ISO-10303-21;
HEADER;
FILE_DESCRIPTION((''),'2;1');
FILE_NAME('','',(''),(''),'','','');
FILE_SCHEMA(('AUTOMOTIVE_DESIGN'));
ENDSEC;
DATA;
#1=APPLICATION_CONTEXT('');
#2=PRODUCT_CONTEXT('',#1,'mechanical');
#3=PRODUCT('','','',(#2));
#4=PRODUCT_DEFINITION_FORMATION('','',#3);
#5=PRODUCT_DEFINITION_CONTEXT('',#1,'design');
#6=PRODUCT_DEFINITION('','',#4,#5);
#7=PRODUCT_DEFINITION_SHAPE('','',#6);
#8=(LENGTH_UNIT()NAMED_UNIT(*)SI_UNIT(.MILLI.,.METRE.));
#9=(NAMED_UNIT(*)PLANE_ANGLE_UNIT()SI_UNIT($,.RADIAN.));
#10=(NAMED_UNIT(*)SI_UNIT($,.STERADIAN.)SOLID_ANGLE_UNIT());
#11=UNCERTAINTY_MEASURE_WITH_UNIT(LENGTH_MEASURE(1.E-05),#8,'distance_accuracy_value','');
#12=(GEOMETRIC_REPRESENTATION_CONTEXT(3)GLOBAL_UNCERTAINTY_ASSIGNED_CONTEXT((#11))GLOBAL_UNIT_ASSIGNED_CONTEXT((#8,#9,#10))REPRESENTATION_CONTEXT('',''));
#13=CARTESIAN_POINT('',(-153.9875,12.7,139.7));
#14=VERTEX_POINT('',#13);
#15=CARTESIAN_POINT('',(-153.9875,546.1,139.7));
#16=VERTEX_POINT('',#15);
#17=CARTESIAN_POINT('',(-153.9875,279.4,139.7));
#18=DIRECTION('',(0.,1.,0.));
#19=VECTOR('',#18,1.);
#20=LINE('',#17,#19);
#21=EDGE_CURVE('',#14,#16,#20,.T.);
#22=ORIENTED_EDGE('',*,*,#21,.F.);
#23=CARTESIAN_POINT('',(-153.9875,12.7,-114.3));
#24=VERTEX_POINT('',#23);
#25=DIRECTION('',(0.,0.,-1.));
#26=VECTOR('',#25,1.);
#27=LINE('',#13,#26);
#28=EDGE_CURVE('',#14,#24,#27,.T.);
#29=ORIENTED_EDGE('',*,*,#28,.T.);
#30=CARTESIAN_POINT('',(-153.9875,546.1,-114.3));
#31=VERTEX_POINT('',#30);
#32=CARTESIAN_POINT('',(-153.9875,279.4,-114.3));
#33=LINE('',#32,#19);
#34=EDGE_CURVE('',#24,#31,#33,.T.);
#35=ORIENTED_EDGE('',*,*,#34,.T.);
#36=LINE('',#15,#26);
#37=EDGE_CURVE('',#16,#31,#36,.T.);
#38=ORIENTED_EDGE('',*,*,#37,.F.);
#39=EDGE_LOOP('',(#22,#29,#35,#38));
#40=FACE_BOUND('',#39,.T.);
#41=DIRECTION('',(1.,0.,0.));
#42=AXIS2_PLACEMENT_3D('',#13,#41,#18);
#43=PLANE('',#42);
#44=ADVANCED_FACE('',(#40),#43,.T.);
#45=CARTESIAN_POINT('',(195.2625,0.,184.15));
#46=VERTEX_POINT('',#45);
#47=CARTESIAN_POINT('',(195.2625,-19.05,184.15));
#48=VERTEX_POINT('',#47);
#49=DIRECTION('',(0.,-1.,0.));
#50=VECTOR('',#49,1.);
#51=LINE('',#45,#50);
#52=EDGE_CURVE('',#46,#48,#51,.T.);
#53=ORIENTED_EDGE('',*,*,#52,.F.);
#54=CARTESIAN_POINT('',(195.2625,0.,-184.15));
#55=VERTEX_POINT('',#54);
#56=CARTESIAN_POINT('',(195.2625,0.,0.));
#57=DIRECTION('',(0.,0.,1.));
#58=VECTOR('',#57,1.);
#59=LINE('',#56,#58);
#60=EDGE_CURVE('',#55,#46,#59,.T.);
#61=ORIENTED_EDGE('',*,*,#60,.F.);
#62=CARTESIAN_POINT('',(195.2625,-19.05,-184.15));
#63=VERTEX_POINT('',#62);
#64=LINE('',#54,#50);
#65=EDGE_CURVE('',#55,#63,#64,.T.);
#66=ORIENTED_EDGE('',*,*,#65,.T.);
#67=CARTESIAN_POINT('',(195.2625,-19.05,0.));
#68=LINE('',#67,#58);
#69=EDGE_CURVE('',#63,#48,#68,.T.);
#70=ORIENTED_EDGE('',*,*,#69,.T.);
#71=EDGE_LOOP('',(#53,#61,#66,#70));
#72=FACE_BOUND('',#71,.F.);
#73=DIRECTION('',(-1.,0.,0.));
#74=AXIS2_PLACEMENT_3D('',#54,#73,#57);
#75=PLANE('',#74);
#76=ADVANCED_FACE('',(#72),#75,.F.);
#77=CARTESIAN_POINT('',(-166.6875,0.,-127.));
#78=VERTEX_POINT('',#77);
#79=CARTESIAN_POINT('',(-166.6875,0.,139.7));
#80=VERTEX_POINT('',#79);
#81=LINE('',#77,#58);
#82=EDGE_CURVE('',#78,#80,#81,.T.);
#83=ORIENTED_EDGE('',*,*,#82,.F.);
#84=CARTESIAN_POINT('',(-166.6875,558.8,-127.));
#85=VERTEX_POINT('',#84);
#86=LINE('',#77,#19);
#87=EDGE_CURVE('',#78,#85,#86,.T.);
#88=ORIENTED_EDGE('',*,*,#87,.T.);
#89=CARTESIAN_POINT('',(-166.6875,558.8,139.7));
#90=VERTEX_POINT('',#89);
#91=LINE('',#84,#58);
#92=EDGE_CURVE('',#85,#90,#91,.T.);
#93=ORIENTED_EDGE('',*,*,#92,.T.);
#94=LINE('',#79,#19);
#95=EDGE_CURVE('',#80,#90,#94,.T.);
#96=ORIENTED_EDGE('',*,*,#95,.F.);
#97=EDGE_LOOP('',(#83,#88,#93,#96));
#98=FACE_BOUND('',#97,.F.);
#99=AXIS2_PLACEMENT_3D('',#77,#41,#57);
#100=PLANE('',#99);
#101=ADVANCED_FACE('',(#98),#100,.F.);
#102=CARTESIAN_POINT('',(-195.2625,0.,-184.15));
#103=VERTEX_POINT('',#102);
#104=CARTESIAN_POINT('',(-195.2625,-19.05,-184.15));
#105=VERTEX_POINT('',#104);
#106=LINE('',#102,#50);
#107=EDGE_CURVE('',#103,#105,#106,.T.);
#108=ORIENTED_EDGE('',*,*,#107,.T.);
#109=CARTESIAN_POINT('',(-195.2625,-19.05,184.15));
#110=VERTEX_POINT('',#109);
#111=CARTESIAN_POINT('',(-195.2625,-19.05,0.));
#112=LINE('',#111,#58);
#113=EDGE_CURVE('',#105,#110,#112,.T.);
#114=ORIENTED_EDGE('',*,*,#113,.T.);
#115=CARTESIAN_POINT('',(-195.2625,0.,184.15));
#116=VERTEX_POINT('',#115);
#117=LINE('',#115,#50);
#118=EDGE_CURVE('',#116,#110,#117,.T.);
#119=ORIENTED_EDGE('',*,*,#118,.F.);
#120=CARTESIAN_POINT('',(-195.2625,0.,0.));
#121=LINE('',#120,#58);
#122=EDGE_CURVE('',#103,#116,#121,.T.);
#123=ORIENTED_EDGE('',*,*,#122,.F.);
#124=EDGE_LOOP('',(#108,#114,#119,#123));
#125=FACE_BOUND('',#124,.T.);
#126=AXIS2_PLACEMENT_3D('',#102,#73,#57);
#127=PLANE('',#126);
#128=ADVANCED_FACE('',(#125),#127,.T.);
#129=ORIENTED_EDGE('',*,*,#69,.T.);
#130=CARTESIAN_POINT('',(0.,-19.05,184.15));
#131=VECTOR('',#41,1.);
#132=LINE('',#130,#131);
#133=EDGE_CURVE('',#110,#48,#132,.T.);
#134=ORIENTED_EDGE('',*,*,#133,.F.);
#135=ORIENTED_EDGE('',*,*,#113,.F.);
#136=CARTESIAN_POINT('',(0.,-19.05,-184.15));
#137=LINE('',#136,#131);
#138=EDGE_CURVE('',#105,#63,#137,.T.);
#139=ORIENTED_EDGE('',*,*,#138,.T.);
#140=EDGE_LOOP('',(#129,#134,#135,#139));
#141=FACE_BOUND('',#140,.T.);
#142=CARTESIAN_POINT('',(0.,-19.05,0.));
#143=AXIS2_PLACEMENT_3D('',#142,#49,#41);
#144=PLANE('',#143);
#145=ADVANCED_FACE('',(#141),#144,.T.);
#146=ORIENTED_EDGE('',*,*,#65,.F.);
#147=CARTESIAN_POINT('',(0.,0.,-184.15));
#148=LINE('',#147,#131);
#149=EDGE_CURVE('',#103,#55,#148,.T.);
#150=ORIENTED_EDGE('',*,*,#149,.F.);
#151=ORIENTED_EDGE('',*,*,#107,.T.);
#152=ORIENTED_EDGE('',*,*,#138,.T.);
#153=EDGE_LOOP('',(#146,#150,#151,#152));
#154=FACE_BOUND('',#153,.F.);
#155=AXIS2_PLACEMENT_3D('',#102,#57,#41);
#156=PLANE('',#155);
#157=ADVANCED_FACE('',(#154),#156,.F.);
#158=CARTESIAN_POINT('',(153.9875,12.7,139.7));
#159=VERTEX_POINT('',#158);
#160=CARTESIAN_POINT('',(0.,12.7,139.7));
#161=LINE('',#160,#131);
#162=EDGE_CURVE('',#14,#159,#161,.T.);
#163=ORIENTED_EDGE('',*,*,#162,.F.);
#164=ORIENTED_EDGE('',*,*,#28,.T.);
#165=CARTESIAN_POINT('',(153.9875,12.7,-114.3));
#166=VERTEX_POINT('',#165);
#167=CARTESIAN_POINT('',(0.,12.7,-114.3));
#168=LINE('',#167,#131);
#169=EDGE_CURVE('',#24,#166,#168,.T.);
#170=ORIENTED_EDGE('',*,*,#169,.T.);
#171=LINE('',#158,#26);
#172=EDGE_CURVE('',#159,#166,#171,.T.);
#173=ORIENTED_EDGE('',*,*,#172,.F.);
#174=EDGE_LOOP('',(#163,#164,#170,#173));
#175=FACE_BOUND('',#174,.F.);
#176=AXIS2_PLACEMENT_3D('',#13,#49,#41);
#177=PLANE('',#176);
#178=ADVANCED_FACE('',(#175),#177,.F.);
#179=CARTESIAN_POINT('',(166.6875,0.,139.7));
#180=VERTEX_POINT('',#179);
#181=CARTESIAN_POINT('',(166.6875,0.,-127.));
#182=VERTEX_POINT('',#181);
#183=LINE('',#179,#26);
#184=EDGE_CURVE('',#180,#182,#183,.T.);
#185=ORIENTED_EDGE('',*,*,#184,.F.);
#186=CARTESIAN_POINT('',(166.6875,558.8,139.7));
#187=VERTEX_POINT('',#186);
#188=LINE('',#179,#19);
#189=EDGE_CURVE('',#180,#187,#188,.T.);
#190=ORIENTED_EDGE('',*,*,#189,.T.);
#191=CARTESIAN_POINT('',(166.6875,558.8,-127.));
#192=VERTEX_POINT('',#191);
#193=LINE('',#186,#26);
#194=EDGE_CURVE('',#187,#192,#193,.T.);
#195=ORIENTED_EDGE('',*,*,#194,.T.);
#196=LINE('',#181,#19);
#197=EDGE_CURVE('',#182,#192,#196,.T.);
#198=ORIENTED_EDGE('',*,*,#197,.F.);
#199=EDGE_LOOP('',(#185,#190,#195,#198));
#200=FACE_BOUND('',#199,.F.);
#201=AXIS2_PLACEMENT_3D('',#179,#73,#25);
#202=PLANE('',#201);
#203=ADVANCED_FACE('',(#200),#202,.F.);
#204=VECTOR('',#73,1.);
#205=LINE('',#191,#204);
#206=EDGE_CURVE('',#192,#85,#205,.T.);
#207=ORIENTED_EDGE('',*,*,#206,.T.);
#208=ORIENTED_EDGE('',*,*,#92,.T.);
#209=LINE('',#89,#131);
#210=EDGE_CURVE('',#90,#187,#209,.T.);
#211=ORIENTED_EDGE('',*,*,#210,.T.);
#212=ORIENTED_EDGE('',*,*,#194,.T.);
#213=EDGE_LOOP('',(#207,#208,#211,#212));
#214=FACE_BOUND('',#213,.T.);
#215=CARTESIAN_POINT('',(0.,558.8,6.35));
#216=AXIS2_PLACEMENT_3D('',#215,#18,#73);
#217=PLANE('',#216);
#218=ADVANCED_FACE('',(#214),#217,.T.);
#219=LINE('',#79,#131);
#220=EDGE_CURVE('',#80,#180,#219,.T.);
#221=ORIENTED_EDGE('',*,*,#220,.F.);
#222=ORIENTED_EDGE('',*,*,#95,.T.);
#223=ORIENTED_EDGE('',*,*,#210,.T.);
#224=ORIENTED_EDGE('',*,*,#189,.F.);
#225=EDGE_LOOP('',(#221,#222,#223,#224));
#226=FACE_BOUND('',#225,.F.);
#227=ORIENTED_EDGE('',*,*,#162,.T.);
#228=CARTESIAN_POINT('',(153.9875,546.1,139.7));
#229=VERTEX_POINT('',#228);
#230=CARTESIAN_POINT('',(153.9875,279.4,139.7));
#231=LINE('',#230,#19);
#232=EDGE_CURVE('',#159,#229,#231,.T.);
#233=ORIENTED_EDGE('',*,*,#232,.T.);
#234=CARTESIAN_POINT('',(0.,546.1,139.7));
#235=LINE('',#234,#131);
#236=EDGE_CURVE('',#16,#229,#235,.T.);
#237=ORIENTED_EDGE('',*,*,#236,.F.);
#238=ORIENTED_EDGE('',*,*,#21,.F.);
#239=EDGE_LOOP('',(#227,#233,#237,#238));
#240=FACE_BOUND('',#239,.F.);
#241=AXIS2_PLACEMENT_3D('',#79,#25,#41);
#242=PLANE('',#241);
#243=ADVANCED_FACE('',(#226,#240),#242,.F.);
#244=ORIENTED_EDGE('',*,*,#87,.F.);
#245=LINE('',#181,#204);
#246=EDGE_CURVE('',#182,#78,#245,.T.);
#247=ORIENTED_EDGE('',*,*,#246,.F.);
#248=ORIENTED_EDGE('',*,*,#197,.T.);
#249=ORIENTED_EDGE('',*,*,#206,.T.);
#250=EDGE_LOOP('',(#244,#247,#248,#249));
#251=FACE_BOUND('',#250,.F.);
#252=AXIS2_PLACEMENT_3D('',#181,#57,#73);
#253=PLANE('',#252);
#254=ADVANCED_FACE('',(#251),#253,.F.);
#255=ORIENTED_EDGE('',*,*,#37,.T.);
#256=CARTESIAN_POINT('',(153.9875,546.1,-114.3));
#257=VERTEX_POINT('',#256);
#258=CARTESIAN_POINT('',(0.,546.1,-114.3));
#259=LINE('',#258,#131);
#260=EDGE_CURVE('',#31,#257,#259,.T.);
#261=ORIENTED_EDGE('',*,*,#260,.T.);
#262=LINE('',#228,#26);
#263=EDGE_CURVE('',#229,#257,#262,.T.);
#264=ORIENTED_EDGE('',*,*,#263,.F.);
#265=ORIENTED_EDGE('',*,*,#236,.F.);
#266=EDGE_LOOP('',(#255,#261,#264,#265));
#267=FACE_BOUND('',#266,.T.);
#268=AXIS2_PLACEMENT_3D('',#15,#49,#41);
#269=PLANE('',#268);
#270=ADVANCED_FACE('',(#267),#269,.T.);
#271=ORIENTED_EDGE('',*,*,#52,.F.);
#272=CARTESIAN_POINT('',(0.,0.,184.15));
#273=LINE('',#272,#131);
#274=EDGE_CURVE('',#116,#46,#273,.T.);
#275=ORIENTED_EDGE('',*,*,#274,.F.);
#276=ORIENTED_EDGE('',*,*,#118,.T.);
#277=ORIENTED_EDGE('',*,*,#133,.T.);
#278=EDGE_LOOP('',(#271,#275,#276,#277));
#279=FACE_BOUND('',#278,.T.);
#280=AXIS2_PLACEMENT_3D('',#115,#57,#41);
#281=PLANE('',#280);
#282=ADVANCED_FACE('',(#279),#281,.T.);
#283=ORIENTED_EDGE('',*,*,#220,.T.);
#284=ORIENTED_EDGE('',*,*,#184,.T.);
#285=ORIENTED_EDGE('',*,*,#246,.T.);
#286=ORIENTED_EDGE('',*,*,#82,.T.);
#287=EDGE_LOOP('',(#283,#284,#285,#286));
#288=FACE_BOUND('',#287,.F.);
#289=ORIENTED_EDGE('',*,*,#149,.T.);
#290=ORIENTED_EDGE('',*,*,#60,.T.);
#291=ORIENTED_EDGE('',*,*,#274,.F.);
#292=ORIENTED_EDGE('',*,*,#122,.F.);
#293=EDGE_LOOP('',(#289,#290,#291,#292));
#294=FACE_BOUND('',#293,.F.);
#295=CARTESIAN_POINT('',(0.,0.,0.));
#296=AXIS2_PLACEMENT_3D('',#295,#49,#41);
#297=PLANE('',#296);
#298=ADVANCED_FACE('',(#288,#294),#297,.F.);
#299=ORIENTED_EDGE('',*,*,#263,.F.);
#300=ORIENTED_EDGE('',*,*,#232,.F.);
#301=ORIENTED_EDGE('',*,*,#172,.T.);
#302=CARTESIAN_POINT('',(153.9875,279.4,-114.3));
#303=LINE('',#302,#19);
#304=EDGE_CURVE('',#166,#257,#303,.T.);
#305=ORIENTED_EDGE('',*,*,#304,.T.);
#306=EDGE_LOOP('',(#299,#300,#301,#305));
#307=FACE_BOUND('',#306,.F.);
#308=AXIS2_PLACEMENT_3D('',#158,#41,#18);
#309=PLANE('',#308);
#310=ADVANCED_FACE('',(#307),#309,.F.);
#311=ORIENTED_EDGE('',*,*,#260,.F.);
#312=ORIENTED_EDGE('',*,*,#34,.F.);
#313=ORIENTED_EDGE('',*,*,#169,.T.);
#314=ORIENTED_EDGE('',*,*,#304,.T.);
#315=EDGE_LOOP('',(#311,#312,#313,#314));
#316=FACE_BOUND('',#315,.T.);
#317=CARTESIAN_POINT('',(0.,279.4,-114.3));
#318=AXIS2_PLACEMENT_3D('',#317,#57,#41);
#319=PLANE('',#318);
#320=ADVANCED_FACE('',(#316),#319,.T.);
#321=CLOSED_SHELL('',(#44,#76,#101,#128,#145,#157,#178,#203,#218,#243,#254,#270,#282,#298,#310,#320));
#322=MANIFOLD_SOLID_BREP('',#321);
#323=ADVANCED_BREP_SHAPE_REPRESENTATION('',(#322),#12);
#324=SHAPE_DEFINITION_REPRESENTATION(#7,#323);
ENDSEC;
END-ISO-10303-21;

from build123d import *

# Parameters (mm, degrees)
F0_W     = 390.525
F0_H     = 368.3
F1_DEPTH = 19.05
F3_DEPTH = 558.8
F4_W     = 307.975
F4_H     = 533.4
F5_DEPTH = 254


with BuildPart() as f1:
    # F0 (on Front) → F1 (new body)
    with BuildSketch(Plane.XZ):
        Rectangle(F0_W, F0_H)
    extrude(amount=F1_DEPTH)

    # F2 (on face) → F3 (join)
    with BuildSketch(Plane(origin=(0, 0, 0), x_dir=(-1, 0, 0), z_dir=(0, 1, 0))):
        Polygon((-166.6875, -127), (0, -127), (166.6875, -127), (166.6875, 139.7), (-166.6875, 139.7), align=None)
    extrude(amount=F3_DEPTH)

    # F4 (on face) → F5 (cut)
    with BuildSketch(Plane.XY.offset(139.7)):
        with Locations((0, 279.4)):
            Rectangle(F4_W, F4_H)
    extrude(amount=-F5_DEPTH, mode=Mode.SUBTRACT)


solid = f1.part
